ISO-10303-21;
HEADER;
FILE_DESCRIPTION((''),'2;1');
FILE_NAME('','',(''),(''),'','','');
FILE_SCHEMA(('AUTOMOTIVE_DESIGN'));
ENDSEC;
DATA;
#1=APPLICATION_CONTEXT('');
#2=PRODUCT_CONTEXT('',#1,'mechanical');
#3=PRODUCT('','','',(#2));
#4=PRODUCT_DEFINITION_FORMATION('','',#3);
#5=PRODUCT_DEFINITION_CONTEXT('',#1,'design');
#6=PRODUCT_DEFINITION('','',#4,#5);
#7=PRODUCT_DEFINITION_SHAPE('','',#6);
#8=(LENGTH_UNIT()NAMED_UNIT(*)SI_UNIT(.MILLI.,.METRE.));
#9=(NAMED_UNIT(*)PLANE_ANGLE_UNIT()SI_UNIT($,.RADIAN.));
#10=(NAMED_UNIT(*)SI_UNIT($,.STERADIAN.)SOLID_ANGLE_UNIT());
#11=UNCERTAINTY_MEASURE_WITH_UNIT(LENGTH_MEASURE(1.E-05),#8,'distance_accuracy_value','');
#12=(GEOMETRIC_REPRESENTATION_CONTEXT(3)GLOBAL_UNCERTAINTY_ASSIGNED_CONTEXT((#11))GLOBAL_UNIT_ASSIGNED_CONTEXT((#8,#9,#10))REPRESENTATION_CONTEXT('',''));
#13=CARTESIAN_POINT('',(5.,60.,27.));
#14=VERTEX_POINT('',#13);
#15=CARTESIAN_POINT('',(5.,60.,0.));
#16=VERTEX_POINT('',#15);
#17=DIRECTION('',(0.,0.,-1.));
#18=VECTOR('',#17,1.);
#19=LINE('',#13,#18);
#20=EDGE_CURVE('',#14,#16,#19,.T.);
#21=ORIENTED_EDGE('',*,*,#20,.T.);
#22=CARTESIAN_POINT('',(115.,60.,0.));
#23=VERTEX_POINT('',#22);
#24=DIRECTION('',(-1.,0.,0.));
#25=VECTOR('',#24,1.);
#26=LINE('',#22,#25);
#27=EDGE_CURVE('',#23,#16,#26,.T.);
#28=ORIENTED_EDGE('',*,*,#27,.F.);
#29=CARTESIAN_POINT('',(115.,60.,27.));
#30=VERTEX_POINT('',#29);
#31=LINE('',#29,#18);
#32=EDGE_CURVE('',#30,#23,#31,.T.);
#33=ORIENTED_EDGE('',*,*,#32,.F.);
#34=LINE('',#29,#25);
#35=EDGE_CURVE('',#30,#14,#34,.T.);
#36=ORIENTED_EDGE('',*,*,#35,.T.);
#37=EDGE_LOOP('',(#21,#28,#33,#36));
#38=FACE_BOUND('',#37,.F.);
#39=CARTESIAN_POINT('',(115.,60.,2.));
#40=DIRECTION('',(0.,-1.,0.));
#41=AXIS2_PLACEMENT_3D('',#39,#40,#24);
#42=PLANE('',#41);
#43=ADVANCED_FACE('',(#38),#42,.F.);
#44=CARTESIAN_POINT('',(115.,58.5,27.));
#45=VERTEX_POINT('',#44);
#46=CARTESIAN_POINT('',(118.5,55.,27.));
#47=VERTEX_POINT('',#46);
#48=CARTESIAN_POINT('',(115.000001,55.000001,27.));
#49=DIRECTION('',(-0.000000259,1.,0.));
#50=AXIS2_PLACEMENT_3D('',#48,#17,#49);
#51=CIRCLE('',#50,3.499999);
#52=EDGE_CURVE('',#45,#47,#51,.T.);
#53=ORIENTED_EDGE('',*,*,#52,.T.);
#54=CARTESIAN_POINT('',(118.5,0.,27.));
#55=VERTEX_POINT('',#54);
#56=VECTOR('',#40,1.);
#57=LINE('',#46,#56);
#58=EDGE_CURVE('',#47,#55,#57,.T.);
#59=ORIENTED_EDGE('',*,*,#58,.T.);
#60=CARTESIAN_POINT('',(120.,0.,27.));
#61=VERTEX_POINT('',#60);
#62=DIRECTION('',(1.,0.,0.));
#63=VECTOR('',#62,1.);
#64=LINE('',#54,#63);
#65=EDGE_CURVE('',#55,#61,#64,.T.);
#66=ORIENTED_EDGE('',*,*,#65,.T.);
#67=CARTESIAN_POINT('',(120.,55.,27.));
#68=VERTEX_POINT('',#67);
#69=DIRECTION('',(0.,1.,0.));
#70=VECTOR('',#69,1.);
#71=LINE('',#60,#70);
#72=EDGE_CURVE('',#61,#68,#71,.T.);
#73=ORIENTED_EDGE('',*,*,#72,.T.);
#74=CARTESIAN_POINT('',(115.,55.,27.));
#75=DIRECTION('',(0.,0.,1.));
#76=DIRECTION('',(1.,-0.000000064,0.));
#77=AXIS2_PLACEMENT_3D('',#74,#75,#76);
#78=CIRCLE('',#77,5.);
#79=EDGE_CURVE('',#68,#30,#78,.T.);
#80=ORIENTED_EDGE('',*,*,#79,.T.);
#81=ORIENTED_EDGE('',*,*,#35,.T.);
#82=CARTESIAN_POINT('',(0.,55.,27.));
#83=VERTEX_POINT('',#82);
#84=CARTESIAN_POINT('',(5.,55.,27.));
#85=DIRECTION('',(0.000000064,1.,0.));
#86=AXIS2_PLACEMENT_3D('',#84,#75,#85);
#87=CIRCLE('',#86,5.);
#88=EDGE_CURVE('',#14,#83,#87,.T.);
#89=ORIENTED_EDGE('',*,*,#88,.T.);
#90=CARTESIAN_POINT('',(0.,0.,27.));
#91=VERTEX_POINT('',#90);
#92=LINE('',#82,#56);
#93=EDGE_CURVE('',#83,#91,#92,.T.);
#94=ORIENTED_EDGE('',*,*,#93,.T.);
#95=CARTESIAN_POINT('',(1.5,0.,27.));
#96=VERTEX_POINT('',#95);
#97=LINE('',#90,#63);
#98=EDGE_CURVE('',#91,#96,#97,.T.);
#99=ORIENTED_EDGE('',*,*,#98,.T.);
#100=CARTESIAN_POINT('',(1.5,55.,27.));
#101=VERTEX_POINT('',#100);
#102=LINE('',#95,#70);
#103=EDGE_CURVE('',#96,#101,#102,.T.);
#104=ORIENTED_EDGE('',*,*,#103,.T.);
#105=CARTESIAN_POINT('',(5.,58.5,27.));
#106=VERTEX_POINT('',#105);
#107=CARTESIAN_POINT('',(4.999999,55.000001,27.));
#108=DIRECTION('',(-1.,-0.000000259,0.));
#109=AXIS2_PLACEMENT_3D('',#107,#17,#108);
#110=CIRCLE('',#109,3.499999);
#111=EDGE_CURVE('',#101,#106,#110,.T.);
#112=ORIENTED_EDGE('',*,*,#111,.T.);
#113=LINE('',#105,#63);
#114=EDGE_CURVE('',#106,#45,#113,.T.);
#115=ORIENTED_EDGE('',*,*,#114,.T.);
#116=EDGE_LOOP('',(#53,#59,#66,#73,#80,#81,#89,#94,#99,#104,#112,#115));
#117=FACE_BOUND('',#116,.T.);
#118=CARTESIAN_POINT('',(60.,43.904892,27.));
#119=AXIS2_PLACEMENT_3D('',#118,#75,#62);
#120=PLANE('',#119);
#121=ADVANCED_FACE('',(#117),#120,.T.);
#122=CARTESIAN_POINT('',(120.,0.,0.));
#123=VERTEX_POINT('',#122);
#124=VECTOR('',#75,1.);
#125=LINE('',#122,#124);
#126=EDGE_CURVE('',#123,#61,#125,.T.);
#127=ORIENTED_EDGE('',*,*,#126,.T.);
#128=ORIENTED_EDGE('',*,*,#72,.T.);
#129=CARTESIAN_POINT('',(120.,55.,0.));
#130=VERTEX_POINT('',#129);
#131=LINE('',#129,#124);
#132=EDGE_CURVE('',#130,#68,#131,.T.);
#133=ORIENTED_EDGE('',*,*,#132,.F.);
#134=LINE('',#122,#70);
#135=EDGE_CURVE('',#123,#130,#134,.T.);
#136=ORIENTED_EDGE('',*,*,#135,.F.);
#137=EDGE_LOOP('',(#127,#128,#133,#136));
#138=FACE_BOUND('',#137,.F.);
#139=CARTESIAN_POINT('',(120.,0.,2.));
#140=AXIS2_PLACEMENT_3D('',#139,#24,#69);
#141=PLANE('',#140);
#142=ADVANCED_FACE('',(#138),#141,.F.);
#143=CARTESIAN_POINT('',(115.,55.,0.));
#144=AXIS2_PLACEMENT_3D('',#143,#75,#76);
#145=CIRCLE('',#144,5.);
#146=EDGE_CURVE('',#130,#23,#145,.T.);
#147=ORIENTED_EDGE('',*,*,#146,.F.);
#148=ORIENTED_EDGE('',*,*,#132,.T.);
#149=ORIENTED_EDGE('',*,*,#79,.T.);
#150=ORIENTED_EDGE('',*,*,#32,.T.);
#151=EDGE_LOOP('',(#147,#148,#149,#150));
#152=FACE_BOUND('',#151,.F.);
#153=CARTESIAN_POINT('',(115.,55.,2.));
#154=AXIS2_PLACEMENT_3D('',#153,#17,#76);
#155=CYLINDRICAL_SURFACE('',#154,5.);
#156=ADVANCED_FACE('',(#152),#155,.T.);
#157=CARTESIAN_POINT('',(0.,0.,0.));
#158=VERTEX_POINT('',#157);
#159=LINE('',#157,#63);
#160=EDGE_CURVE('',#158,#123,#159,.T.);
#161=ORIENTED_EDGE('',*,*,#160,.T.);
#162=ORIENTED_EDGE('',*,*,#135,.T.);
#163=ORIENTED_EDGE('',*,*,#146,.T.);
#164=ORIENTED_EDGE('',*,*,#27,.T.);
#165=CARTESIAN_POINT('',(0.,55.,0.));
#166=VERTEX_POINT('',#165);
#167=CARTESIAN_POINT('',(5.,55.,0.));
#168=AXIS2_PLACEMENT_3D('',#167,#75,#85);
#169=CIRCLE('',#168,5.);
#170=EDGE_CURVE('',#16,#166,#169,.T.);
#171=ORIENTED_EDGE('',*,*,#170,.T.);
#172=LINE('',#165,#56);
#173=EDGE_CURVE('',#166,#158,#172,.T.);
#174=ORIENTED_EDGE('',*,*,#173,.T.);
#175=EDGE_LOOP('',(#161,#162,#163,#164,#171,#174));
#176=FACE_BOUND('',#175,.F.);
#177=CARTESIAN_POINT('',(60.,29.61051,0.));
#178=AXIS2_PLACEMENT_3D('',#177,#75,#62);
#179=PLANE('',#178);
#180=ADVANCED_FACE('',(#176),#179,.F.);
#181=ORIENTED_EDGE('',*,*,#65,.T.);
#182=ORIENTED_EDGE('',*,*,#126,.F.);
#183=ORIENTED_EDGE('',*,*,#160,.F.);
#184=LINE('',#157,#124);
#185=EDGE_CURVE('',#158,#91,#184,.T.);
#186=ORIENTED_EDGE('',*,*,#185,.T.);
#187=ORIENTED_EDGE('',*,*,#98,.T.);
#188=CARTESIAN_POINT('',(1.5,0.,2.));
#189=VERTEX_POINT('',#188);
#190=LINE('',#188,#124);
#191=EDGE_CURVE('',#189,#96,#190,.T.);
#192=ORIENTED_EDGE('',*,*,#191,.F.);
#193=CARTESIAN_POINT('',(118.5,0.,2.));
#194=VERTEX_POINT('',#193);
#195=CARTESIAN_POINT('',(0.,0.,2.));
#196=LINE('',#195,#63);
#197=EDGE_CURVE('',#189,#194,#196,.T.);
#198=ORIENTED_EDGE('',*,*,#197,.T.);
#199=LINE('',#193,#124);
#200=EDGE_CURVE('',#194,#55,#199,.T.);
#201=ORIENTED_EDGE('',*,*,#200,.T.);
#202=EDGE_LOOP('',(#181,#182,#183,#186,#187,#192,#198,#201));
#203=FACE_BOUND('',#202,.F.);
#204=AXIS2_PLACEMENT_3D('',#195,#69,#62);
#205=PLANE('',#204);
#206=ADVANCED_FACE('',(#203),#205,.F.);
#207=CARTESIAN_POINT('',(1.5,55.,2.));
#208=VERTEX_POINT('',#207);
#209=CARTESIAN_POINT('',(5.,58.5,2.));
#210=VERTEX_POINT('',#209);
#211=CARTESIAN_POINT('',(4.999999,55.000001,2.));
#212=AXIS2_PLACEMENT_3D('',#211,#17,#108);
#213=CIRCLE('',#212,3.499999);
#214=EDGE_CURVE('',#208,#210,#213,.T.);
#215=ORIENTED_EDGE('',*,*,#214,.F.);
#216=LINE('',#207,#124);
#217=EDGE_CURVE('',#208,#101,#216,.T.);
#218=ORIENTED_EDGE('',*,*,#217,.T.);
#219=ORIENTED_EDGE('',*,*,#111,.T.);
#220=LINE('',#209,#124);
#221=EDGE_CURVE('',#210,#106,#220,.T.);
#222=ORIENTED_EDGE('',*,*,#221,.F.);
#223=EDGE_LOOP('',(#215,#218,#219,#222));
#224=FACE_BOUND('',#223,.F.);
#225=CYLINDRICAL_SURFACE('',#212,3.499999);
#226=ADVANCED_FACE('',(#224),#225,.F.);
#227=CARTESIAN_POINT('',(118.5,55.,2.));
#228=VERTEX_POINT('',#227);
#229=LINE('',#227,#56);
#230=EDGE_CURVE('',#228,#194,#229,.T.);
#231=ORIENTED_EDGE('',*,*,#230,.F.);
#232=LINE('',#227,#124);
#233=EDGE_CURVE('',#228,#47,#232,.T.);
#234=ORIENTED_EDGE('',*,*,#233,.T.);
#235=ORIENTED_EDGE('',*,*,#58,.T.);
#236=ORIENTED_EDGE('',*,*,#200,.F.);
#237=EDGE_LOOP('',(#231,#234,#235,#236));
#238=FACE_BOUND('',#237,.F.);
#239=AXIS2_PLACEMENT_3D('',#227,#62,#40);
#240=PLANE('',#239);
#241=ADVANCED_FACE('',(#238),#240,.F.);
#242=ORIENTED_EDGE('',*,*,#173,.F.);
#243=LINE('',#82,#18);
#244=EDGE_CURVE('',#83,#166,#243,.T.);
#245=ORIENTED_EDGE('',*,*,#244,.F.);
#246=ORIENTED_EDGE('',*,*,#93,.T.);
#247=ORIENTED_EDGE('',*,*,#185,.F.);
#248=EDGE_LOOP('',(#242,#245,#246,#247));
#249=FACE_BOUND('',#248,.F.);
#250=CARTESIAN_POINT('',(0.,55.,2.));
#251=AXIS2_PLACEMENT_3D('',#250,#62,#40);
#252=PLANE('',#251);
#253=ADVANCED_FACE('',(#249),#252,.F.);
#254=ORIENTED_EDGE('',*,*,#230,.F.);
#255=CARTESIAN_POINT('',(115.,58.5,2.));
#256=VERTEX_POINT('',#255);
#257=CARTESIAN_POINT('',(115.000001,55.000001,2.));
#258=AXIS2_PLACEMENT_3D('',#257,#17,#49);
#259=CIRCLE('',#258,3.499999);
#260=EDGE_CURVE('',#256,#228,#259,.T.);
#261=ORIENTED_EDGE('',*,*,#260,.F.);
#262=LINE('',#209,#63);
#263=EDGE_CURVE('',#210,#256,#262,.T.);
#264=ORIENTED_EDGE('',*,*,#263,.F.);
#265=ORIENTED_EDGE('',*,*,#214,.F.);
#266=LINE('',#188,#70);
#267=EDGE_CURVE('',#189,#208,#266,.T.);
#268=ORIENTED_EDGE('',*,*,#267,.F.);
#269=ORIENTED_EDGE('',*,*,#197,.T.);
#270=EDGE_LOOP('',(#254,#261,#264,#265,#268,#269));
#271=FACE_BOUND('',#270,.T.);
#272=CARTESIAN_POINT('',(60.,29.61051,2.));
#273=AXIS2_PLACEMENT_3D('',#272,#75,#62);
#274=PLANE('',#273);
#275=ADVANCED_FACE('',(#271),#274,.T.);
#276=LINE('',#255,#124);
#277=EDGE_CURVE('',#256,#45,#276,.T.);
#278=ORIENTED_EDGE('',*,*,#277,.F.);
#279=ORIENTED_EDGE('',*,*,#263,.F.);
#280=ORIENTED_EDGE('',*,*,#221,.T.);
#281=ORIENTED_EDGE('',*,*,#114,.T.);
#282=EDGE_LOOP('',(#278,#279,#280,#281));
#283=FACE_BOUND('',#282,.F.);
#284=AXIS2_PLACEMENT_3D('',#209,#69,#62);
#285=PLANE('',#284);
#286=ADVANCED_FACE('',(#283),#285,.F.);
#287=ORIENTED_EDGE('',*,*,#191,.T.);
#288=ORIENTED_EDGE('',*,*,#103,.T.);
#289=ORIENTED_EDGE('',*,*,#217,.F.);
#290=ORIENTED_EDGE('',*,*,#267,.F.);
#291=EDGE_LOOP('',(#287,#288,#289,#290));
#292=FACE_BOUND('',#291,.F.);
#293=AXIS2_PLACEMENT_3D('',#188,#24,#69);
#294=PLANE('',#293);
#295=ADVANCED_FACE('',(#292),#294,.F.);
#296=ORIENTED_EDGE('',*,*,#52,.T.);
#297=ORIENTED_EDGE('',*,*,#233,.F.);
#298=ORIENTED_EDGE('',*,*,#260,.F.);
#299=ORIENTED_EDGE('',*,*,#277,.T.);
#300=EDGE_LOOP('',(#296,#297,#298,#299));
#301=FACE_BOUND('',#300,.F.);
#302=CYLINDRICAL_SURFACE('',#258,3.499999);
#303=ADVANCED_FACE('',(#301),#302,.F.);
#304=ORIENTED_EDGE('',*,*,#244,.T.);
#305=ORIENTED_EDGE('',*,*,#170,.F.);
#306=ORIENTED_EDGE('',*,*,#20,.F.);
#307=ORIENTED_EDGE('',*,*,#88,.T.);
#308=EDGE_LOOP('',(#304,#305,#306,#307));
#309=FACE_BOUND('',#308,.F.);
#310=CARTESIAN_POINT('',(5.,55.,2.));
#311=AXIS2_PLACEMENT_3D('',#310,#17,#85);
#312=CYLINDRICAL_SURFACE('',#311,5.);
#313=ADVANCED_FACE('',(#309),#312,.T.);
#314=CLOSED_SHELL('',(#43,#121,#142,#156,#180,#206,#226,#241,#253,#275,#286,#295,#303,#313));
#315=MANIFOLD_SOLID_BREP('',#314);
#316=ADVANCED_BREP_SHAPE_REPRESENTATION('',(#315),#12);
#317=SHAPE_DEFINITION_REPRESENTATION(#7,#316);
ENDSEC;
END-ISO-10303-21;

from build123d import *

# Parameters (mm, degrees)
F1_DEPTH = 2
F3_DEPTH = 25


with BuildPart() as f1:
    # F0 (on Top) → F1 (new body)
    with BuildSketch(Plane.XY):
        with BuildLine():
            Line((0, 55), (0, 0))
            Line((0, 0), (120, 0))
            Line((120, 0), (120, 55))
            ThreePointArc((120, 55), (118.535534, 58.535534), (115, 60))
            Line((115, 60), (5, 60))
            ThreePointArc((5, 60), (1.464466, 58.535534), (0, 55))
        make_face()
    extrude(amount=F1_DEPTH)

    # F2 (on face) → F3 (join)
    with BuildSketch(Plane.XY.offset(2)):
        with BuildLine():
            Line((0, 55), (0, 0))
            Line((0, 0), (1.5, 0))
            Line((1.5, 0), (1.5, 55))
            ThreePointArc((1.5, 55), (2.525126, 57.474874), (5, 58.5))
            Line((5, 58.5), (115, 58.5))
            ThreePointArc((115, 58.5), (117.474874, 57.474874), (118.5, 55))
            Line((118.5, 55), (118.5, 0))
            Line((118.5, 0), (120, 0))
            Line((120, 0), (120, 55))
            ThreePointArc((120, 55), (118.535534, 58.535534), (115, 60))
            Line((115, 60), (5, 60))
            ThreePointArc((5, 60), (1.464466, 58.535534), (0, 55))
        make_face()
    extrude(amount=F3_DEPTH)


solid = f1.part
